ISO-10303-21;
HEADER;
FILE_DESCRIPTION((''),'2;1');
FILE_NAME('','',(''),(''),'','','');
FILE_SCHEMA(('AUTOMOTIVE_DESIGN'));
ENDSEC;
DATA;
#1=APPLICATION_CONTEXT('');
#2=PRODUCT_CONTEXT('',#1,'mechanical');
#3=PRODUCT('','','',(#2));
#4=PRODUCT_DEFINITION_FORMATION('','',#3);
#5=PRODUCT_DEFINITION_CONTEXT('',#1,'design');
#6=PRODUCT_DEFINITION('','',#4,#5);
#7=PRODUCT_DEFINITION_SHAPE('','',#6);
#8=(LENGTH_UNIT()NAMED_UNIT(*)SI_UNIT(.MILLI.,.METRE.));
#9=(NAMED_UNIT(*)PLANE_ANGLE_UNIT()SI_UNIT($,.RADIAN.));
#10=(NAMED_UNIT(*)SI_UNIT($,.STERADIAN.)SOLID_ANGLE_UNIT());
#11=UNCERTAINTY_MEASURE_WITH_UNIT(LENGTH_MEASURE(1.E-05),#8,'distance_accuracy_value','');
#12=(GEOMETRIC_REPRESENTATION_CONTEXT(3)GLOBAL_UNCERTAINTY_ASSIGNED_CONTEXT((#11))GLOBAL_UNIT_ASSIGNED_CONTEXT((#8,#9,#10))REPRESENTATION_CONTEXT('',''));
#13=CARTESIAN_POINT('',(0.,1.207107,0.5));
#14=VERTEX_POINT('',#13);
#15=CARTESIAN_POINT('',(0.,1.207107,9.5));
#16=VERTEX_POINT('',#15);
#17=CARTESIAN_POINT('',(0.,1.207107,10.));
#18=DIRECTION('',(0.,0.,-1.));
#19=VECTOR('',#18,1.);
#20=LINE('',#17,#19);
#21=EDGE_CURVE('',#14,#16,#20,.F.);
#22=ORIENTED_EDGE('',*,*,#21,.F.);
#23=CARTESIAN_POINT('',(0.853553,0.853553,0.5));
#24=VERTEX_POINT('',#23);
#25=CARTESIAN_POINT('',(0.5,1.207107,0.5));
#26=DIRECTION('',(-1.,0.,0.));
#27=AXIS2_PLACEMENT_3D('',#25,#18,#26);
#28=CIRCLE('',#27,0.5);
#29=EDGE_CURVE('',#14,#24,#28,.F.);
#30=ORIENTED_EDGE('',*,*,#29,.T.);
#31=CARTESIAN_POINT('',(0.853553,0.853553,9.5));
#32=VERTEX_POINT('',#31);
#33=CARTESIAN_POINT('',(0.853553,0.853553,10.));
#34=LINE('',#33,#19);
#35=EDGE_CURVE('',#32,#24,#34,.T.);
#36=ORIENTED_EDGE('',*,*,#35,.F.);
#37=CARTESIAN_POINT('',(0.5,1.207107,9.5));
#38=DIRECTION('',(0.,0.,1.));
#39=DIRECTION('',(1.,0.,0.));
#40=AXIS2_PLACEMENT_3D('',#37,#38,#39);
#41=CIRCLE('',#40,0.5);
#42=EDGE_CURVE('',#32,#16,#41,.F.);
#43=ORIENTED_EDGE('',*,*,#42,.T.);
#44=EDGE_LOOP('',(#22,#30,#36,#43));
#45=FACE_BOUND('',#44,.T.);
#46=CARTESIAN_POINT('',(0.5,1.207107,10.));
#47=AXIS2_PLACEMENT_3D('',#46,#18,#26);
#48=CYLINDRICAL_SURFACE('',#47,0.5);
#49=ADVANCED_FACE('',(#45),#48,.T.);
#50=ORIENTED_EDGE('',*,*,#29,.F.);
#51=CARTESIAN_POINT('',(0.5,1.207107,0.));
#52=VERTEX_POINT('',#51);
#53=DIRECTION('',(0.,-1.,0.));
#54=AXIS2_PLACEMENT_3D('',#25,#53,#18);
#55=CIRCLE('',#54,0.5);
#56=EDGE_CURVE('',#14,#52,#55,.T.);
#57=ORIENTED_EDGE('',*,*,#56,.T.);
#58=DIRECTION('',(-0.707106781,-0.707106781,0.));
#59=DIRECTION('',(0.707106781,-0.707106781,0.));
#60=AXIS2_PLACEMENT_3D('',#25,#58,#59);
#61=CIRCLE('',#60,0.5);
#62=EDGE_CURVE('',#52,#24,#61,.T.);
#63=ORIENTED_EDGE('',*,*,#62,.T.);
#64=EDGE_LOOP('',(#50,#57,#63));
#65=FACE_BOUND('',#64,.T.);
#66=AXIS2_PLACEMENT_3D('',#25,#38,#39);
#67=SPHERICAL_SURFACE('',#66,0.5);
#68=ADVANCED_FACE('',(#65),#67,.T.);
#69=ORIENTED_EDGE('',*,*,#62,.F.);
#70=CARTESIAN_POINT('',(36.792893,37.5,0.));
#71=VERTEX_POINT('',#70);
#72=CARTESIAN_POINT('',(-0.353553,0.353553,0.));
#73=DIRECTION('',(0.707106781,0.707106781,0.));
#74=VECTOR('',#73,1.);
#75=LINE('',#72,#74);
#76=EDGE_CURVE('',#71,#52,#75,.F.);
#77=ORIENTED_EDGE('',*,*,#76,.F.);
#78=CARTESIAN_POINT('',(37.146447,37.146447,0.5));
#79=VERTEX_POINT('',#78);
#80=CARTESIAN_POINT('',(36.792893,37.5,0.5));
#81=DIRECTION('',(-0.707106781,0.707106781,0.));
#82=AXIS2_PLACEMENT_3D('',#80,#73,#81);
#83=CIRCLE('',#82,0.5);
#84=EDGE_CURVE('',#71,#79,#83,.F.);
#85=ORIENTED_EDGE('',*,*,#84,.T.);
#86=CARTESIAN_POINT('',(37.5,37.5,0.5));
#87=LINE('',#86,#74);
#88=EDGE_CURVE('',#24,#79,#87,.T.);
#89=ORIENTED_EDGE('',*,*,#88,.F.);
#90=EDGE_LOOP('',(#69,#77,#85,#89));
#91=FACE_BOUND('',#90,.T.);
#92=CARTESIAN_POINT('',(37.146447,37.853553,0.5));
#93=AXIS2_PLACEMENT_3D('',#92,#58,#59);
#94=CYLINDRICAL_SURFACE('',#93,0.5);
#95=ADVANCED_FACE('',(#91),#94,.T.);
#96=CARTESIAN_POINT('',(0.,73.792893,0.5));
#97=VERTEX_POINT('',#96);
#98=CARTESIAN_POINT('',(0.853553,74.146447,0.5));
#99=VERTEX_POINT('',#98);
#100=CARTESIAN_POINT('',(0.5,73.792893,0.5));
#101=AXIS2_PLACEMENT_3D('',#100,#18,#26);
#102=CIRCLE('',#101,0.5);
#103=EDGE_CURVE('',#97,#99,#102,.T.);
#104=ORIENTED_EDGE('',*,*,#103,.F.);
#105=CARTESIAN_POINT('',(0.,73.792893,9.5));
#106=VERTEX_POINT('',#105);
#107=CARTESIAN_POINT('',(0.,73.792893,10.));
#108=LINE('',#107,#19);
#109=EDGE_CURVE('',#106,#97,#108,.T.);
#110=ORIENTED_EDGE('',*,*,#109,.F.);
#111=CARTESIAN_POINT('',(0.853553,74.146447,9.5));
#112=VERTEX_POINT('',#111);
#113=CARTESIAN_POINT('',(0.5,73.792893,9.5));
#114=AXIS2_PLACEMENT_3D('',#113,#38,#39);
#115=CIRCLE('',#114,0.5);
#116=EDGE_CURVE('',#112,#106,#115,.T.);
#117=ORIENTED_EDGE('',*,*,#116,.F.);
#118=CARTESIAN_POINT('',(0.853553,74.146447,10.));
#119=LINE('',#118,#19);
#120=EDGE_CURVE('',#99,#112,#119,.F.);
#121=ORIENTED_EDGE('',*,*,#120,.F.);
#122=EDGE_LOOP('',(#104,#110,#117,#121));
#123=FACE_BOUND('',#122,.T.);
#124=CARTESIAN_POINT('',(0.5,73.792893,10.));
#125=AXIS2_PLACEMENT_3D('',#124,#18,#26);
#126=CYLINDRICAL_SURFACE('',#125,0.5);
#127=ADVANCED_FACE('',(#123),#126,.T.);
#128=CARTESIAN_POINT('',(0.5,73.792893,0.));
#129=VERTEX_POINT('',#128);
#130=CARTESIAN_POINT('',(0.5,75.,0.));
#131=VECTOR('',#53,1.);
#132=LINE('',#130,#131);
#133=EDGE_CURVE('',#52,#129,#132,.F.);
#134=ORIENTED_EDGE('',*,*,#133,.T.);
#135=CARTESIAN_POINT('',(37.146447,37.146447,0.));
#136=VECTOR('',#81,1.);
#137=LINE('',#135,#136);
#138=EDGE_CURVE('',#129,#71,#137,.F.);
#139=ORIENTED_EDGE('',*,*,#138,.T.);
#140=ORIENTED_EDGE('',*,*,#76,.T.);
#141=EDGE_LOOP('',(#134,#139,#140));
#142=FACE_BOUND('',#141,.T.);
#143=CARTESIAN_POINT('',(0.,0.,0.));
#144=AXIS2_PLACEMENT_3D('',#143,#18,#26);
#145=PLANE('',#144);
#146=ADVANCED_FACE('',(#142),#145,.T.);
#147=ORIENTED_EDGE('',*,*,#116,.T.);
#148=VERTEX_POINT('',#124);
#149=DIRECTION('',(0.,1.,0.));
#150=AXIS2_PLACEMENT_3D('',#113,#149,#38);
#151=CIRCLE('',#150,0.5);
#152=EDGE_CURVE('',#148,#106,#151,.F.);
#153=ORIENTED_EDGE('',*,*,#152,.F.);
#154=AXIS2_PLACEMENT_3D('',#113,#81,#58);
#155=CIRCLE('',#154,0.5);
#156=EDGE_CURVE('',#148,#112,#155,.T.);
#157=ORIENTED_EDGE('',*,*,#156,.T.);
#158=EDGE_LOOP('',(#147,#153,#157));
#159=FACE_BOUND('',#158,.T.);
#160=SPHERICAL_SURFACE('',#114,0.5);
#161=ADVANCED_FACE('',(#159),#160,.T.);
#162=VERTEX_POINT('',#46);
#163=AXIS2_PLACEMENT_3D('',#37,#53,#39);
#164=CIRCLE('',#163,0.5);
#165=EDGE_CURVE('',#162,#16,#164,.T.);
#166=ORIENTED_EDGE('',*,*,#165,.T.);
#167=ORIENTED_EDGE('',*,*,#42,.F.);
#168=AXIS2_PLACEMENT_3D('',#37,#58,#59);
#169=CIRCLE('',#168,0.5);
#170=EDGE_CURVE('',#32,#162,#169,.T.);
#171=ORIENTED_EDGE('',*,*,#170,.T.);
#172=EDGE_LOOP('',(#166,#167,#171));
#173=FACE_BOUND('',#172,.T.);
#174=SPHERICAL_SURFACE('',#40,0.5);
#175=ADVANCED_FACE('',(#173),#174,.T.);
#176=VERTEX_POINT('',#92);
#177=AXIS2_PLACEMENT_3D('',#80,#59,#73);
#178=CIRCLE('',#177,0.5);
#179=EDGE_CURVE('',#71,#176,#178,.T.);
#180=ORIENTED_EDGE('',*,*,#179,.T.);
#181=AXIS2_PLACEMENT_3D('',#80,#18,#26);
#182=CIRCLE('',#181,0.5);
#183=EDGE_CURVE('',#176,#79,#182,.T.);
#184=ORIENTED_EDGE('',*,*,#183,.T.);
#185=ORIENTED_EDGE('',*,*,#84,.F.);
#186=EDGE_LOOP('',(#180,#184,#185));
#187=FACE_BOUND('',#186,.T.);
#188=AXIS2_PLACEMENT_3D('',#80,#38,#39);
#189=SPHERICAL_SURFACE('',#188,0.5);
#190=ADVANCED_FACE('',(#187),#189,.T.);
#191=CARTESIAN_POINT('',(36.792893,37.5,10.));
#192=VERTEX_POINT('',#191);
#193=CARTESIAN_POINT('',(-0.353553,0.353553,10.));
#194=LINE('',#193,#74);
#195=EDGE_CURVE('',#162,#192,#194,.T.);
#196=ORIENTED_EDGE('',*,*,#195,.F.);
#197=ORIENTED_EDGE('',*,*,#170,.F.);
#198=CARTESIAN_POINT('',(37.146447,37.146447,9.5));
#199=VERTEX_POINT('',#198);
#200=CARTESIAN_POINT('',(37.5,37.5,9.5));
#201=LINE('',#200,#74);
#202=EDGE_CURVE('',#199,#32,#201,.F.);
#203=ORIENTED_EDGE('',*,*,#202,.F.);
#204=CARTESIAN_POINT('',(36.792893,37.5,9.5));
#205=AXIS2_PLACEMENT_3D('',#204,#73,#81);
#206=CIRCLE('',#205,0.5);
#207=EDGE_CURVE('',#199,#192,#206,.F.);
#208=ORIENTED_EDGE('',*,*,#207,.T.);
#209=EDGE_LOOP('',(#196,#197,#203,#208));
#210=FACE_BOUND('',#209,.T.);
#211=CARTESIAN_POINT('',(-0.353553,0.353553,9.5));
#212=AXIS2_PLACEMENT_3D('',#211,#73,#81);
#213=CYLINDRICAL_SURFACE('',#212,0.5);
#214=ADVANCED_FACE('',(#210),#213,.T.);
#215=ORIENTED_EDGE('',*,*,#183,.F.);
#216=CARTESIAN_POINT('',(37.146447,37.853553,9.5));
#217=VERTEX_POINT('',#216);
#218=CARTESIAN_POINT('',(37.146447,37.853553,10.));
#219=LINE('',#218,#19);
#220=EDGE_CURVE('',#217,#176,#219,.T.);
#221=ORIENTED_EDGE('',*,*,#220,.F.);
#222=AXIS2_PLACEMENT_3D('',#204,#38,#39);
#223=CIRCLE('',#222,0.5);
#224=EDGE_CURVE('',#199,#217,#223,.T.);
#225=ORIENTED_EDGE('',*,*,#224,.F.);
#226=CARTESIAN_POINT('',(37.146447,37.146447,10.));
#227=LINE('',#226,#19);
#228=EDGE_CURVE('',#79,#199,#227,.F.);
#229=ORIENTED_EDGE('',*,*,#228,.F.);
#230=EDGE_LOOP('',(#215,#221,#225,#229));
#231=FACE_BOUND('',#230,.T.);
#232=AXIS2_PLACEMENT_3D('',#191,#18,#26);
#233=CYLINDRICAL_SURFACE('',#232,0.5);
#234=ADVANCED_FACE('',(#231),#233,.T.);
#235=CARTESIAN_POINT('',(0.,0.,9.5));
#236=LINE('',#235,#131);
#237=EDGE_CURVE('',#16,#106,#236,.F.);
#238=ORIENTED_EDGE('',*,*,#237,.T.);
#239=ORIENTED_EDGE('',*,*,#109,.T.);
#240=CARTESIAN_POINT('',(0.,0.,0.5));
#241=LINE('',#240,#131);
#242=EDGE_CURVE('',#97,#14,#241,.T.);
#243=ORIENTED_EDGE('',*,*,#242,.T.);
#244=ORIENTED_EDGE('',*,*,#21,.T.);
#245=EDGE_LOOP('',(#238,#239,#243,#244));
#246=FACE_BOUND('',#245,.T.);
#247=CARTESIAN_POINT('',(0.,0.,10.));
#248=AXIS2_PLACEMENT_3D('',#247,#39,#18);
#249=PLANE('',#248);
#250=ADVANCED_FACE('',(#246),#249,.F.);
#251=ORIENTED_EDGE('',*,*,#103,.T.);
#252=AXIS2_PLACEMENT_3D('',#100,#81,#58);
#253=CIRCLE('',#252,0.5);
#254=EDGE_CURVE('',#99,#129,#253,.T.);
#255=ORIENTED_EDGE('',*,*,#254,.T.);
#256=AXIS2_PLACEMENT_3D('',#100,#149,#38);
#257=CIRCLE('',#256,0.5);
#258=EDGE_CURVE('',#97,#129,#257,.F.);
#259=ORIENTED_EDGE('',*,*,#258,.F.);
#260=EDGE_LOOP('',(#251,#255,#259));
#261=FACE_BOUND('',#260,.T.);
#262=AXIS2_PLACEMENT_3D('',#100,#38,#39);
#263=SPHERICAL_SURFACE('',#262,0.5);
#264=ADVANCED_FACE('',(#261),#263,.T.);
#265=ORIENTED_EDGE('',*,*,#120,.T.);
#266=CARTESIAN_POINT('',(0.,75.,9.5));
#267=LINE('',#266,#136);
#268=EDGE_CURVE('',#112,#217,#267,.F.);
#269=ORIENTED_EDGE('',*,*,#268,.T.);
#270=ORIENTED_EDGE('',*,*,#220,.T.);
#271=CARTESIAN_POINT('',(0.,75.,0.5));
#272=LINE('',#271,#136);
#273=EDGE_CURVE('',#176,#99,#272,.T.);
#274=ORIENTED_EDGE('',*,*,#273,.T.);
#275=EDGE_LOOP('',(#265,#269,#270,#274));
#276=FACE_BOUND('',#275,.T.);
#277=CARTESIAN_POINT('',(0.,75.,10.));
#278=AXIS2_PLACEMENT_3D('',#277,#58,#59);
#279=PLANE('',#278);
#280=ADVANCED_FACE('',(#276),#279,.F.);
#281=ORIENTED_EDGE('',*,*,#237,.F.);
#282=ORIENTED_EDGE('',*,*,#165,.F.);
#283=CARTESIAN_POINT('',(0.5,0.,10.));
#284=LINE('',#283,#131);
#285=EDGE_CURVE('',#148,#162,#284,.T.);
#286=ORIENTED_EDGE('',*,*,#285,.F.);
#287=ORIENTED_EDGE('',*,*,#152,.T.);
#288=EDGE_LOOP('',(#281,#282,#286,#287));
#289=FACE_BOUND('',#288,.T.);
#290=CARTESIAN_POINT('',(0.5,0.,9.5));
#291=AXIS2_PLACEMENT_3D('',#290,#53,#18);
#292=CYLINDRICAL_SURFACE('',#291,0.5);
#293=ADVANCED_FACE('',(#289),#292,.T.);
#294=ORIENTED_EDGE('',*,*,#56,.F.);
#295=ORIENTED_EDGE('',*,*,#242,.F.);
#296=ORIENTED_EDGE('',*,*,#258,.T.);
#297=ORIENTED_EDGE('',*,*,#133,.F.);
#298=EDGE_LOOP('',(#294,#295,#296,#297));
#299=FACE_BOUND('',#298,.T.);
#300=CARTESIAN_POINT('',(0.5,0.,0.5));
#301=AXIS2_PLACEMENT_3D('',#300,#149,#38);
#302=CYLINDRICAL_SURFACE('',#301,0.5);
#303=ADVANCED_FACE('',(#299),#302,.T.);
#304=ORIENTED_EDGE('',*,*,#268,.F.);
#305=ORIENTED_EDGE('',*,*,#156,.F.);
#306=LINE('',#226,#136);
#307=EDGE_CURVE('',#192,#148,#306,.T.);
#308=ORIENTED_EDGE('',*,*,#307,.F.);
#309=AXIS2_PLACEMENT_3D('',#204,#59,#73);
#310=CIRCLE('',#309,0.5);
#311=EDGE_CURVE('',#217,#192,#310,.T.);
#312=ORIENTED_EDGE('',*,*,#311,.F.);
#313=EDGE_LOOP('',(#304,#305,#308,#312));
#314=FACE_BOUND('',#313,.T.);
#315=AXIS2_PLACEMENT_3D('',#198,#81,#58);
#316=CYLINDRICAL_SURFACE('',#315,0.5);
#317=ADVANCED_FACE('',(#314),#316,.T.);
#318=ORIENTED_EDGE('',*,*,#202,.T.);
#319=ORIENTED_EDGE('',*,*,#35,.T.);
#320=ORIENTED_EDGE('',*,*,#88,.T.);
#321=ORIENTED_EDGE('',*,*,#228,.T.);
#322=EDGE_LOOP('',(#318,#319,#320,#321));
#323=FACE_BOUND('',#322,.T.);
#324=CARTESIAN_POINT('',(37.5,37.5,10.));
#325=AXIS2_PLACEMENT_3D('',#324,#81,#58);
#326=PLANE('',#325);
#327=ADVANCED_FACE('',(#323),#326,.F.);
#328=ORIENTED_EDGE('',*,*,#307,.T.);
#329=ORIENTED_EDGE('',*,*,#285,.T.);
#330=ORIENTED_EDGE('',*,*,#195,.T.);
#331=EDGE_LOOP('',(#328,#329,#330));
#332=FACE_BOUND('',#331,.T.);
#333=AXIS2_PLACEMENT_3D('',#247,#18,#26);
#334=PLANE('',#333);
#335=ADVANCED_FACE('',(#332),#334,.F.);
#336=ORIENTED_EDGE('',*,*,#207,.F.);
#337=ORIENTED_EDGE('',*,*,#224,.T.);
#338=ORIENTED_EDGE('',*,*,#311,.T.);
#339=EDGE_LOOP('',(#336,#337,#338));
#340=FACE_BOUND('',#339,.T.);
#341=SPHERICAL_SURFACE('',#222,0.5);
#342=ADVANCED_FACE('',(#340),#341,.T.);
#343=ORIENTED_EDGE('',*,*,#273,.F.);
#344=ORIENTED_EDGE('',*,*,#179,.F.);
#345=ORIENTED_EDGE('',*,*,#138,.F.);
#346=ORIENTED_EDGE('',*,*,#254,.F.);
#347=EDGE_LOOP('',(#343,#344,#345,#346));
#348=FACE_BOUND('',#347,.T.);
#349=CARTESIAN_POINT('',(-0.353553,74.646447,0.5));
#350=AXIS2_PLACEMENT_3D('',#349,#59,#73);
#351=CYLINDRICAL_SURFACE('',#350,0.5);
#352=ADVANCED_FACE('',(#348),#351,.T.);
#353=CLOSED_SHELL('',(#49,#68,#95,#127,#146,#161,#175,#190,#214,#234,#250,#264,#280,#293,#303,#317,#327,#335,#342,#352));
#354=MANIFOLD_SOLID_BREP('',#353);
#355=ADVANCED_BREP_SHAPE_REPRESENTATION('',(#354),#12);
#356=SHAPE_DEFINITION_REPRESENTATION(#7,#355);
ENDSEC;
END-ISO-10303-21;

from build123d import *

# Parameters (mm, degrees)
EXTRUDE_1_DEPTH = 10
FILLET_1_R      = 0.5


with BuildPart() as part:
    # 草图1 → 凸台-拉伸1 (new body)
    with BuildSketch(Plane.XY):
        Polygon((0, 75), (37.5, 37.5), (0, 0), align=None)
    extrude(amount=EXTRUDE_1_DEPTH)

    # 圆角1
    fillet_1_edges = [part.edges().sort_by_distance(p)[0] for p in [
        (18.75, 56.25, 10),
        (18.75, 56.25, 0),
        (0, 37.5, 10),
        (18.75, 18.75, 0),
        (0, 37.5, 0),
        (0, 75, 5),
        (37.5, 37.5, 5),
        (0, 0, 5),
        (18.75, 18.75, 10),
    ]]
    fillet(fillet_1_edges, radius=FILLET_1_R)


solid = part.part
